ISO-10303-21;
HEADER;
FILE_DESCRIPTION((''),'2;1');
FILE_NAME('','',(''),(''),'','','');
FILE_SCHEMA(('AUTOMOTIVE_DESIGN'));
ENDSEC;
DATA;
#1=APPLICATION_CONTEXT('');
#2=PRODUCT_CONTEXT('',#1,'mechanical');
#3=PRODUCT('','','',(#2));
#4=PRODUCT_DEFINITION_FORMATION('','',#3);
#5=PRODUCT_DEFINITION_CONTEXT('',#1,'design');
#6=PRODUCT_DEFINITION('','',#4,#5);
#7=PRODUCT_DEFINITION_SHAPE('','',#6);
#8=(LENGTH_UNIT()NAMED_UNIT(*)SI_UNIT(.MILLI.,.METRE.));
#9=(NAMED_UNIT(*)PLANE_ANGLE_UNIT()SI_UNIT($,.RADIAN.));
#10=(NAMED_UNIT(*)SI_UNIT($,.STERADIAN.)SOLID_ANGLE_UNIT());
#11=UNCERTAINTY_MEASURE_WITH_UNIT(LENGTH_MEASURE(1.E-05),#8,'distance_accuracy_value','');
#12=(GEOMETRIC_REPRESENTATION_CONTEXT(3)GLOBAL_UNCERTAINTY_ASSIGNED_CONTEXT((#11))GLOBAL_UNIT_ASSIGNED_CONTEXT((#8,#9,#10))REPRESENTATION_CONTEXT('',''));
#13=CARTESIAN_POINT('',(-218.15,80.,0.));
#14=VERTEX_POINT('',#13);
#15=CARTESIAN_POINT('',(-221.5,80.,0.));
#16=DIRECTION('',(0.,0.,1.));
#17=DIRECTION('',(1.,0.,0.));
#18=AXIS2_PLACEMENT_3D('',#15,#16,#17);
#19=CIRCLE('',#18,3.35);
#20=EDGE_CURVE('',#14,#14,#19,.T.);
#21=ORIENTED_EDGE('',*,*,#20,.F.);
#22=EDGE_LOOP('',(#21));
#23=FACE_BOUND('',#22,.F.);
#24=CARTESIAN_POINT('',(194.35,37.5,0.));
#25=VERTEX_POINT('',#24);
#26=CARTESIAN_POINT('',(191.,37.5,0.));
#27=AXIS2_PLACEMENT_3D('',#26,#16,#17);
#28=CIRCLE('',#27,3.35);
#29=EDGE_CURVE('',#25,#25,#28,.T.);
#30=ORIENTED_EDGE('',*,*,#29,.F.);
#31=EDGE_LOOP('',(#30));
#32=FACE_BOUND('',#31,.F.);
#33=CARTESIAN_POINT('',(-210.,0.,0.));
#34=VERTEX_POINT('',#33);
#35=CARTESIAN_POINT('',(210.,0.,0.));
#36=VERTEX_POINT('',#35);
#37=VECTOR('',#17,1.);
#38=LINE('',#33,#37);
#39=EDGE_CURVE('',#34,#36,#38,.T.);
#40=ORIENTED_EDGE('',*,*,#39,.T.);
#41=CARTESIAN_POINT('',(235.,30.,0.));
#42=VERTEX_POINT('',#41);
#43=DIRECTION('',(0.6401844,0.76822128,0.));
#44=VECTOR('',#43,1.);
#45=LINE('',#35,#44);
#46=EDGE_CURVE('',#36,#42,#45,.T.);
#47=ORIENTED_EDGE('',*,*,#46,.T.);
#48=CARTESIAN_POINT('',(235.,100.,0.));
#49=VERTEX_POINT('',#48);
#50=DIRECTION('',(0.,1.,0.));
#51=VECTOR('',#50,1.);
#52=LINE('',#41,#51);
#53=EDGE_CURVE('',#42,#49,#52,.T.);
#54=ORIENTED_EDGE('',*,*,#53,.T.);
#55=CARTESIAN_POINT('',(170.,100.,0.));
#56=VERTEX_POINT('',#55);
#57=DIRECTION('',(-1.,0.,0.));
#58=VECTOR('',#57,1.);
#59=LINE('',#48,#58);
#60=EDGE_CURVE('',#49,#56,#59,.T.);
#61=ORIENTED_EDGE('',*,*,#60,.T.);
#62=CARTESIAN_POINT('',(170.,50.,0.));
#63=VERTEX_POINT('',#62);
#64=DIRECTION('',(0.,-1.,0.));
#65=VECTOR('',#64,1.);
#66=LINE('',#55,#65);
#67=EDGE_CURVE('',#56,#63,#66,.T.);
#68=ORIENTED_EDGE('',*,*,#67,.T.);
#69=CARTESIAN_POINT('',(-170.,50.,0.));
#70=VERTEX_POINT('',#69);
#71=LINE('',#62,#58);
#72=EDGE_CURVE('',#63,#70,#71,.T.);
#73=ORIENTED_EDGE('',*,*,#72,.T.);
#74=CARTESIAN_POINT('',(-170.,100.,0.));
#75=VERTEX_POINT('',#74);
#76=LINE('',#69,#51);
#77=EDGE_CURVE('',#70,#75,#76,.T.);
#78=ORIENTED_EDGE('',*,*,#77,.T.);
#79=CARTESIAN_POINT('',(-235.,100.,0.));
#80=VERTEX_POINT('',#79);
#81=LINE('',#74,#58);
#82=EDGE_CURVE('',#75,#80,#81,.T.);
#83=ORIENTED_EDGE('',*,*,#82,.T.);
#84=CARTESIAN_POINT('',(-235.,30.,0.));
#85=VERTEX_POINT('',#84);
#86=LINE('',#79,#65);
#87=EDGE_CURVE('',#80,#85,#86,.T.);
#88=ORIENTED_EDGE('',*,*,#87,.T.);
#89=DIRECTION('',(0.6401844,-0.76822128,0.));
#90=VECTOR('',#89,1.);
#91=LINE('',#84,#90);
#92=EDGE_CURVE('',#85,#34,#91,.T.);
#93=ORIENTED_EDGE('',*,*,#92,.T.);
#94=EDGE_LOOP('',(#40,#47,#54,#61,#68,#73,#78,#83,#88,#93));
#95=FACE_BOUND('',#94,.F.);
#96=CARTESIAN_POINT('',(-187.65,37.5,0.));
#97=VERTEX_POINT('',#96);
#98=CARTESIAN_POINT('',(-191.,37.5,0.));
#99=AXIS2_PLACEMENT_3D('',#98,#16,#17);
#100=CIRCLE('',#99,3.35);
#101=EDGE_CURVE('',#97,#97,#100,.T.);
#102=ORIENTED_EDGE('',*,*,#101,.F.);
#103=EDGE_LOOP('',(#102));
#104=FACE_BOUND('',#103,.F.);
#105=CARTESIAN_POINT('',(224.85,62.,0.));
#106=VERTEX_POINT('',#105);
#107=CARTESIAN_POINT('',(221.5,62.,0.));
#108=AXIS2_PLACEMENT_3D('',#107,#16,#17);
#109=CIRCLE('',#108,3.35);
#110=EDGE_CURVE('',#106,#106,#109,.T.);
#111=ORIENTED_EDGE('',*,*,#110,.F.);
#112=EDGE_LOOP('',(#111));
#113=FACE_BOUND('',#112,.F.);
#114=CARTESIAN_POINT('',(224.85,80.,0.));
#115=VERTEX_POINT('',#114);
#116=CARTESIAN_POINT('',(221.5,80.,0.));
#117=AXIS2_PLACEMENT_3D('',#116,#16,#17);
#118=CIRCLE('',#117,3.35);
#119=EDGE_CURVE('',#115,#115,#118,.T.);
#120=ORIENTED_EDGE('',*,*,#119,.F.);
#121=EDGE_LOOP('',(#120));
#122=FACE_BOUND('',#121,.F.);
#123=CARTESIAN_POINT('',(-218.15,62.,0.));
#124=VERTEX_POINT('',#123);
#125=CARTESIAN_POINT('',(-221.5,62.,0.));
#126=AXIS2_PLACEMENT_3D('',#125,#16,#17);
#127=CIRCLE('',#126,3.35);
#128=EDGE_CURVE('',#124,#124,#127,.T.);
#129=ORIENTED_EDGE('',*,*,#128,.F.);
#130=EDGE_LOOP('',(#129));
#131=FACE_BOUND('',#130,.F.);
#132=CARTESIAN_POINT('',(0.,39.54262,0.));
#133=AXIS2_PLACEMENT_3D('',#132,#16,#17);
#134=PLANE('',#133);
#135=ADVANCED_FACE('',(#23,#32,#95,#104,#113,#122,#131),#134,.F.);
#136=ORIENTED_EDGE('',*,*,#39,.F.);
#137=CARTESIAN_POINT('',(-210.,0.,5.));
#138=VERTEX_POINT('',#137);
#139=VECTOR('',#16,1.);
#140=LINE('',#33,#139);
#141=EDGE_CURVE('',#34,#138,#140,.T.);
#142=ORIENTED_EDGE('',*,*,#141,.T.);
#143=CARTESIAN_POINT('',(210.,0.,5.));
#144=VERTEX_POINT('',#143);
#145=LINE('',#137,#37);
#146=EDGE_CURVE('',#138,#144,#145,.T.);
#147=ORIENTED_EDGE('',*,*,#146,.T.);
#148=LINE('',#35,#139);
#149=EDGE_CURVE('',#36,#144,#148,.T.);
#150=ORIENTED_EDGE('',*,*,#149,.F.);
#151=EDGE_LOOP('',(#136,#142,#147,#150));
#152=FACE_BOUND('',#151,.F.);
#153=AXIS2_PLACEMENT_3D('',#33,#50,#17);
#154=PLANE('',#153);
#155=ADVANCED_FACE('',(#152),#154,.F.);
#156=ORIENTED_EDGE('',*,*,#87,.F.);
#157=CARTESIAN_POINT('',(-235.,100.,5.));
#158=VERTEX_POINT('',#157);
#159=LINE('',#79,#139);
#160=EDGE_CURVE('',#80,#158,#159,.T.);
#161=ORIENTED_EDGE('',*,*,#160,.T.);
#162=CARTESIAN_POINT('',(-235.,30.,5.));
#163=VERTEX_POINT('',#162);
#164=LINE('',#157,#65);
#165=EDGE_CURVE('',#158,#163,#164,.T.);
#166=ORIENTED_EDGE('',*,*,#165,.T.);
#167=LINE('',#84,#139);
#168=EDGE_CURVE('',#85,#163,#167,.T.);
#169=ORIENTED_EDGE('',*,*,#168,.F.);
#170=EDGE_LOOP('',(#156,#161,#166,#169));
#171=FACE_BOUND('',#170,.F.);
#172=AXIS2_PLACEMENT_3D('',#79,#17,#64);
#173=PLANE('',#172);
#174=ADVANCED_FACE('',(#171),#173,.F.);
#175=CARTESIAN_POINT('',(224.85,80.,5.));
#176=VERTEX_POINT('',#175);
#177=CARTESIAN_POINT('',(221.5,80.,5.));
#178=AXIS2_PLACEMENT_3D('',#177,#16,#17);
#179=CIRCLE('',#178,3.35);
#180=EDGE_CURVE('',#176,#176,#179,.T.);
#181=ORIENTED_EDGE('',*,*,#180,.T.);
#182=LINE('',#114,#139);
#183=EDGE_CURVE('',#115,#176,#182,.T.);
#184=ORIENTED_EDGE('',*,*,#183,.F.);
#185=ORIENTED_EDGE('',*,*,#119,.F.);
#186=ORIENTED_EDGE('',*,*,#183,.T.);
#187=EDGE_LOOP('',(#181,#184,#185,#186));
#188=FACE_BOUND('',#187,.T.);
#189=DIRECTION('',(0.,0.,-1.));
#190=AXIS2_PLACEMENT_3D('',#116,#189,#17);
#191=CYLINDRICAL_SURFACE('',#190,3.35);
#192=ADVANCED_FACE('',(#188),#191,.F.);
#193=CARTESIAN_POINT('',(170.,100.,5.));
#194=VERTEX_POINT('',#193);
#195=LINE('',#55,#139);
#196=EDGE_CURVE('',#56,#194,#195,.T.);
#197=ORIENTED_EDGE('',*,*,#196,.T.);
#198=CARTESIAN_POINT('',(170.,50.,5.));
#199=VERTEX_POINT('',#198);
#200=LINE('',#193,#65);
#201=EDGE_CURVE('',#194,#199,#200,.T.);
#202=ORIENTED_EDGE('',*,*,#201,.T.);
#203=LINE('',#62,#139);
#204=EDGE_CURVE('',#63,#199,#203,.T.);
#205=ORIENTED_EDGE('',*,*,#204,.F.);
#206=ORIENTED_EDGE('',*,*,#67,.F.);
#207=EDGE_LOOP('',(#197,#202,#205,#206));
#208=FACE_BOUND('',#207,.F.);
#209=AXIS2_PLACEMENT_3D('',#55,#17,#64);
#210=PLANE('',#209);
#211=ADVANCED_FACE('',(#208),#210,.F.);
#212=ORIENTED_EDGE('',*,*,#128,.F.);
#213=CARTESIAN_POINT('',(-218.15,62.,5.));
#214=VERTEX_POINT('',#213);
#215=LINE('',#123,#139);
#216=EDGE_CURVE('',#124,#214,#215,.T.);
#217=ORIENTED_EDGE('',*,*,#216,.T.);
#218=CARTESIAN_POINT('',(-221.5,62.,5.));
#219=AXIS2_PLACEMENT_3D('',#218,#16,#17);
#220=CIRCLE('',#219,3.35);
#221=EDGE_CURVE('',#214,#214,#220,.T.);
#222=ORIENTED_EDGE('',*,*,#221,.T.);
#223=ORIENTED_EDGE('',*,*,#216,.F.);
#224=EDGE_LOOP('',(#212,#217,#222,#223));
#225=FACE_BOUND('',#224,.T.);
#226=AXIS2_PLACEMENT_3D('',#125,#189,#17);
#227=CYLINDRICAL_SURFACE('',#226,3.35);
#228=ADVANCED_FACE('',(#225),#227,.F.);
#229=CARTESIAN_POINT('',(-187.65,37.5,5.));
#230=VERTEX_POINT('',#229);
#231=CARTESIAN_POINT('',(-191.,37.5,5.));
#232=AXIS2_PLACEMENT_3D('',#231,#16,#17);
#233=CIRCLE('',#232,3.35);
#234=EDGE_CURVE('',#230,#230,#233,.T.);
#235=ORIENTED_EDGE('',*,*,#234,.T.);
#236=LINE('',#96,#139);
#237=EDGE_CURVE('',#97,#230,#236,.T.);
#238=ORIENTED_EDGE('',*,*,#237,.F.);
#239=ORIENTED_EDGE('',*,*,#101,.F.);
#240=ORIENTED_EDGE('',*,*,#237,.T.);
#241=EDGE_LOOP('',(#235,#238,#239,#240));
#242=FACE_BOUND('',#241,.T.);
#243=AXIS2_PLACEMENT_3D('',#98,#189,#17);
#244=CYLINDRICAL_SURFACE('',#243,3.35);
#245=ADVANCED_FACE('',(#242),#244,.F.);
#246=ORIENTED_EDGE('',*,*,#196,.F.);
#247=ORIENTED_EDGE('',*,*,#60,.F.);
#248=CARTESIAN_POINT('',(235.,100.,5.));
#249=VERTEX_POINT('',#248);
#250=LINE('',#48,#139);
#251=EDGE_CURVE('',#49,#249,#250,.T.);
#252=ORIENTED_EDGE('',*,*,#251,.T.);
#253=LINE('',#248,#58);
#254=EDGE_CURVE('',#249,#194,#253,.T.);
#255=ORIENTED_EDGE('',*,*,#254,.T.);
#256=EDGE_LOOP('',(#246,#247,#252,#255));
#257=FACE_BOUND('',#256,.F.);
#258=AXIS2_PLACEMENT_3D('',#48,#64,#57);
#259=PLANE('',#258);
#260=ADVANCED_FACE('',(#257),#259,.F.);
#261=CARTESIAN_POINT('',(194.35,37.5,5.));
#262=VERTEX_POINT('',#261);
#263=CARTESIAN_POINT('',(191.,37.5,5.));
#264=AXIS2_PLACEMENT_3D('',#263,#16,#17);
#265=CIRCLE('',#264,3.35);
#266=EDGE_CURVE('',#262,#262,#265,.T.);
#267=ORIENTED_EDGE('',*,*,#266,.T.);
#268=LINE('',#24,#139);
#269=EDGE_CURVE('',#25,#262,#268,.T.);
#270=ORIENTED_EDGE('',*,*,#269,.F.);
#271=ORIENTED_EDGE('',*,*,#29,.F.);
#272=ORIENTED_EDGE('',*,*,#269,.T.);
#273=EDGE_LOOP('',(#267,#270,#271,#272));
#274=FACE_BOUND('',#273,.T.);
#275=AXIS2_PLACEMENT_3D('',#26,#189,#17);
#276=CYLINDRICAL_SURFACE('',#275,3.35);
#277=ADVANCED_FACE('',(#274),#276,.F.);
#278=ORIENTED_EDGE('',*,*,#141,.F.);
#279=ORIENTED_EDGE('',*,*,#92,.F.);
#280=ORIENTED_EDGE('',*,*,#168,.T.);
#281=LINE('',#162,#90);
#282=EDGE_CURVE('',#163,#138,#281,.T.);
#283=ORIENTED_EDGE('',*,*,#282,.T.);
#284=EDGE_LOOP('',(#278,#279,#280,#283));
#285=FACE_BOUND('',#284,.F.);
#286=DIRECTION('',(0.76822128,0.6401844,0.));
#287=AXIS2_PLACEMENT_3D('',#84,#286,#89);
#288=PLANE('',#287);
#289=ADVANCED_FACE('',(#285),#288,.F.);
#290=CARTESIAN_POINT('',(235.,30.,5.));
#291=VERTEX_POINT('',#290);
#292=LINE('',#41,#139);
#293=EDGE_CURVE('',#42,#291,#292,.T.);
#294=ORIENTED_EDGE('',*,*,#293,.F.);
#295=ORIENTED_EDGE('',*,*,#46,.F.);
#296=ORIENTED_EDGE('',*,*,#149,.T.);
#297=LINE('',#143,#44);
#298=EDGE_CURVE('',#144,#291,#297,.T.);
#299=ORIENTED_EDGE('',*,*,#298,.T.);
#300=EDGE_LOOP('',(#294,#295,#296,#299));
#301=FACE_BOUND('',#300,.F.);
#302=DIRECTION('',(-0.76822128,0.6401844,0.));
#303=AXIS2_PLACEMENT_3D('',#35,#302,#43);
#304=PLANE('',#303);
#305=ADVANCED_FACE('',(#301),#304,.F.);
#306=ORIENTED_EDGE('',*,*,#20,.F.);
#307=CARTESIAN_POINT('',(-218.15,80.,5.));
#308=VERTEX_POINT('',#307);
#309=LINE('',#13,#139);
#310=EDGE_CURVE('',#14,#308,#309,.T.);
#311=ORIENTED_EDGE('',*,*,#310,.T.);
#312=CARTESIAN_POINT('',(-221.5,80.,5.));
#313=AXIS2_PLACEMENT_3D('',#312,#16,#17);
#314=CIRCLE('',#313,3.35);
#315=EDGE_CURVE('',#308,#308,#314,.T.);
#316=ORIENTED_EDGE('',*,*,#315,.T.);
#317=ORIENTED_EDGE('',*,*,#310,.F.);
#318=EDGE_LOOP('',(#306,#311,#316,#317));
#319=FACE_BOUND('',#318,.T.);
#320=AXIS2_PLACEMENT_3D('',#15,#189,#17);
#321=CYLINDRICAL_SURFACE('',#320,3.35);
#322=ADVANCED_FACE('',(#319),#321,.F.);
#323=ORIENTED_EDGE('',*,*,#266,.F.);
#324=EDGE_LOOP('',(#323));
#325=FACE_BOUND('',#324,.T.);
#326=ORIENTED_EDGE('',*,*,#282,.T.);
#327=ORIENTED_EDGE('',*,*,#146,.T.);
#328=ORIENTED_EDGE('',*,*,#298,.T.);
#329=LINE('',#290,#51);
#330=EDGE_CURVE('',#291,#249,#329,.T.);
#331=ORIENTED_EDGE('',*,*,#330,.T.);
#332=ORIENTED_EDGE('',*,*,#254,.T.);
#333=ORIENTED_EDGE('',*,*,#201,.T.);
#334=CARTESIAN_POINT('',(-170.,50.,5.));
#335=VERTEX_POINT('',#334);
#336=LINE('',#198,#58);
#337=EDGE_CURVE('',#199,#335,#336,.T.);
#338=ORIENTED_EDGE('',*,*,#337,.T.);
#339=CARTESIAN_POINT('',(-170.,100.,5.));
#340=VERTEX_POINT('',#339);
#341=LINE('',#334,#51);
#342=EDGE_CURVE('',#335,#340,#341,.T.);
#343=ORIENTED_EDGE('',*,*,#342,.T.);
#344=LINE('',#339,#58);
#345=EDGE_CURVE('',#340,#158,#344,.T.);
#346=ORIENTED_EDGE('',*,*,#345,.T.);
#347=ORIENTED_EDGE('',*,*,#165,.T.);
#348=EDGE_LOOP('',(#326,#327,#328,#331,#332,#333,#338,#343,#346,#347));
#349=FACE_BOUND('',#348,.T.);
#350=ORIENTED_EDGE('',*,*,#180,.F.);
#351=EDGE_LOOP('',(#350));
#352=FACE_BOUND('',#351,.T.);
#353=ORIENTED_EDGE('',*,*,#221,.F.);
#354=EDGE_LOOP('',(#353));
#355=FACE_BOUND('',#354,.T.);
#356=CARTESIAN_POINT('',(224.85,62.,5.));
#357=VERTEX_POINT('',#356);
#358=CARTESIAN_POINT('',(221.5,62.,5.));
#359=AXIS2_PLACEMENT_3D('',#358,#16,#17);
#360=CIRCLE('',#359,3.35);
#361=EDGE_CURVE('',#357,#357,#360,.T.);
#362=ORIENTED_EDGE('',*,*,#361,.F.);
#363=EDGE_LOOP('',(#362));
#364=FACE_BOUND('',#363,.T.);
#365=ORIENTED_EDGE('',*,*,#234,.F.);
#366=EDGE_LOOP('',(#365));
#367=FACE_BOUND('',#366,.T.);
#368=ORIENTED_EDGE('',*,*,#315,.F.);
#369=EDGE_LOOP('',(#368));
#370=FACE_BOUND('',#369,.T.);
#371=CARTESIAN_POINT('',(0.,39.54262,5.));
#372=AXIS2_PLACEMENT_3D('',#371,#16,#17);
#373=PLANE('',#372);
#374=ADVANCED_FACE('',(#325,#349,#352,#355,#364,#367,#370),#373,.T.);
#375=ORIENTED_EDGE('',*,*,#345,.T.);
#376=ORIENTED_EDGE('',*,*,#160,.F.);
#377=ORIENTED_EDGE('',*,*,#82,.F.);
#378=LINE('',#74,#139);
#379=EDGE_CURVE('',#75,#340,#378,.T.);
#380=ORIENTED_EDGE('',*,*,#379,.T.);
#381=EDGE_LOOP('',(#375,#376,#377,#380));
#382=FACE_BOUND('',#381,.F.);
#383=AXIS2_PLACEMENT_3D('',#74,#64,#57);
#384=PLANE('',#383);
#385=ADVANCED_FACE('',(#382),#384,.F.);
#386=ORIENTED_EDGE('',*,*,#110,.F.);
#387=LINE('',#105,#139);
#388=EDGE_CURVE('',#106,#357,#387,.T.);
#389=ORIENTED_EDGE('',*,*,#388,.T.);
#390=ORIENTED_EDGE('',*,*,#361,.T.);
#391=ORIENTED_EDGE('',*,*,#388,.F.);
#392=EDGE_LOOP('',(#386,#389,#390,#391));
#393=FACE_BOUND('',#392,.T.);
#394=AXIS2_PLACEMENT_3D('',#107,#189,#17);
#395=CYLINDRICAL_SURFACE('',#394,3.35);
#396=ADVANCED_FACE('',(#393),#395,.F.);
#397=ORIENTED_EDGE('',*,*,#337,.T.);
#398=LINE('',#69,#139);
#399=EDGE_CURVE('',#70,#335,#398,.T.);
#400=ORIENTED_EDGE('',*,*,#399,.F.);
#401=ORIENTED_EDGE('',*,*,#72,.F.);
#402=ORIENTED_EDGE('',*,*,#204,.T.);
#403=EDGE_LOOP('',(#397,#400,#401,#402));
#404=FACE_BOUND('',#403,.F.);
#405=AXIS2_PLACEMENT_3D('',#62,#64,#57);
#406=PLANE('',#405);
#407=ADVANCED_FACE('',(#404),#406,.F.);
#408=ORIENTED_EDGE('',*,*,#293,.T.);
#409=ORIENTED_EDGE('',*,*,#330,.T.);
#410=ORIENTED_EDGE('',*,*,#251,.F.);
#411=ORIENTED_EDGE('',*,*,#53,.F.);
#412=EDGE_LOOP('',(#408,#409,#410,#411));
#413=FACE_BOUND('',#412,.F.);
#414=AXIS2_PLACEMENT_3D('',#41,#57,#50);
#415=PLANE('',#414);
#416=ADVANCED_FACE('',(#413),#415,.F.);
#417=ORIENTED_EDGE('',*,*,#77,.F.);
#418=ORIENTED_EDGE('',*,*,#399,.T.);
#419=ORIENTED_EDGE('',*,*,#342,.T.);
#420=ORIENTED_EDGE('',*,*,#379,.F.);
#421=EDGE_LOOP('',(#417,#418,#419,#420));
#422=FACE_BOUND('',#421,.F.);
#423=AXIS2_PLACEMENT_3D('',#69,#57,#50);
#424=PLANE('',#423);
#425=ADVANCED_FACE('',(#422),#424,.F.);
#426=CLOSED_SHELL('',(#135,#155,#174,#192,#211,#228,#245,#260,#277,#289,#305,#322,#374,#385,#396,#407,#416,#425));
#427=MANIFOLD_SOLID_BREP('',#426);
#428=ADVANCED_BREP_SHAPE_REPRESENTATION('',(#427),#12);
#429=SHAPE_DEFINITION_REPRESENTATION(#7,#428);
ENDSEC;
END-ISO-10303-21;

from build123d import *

# Parameters (mm, degrees)
F0_R     = 3.35
F1_DEPTH = 5


with BuildPart() as f1:
    # F0 (on Top) → F1 (new body)
    with BuildSketch(Plane.XY):
        Polygon((-235, 30), (-210, 0), (0, 0), (210, 0), (235, 30), (235, 100), (170, 100), (170, 50), (0, 50), (-170, 50), (-170, 100), (-235, 100), align=None)
        with Locations((-191, 37.5)):
            Circle(F0_R, mode=Mode.SUBTRACT)
        with Locations((191, 37.5)):
            Circle(F0_R, mode=Mode.SUBTRACT)
        with Locations((-221.5, 62)):
            Circle(F0_R, mode=Mode.SUBTRACT)
        with Locations((-221.5, 80)):
            Circle(F0_R, mode=Mode.SUBTRACT)
        with Locations((221.5, 62)):
            Circle(F0_R, mode=Mode.SUBTRACT)
        with Locations((221.5, 80)):
            Circle(F0_R, mode=Mode.SUBTRACT)
    extrude(amount=F1_DEPTH)


solid = f1.part
